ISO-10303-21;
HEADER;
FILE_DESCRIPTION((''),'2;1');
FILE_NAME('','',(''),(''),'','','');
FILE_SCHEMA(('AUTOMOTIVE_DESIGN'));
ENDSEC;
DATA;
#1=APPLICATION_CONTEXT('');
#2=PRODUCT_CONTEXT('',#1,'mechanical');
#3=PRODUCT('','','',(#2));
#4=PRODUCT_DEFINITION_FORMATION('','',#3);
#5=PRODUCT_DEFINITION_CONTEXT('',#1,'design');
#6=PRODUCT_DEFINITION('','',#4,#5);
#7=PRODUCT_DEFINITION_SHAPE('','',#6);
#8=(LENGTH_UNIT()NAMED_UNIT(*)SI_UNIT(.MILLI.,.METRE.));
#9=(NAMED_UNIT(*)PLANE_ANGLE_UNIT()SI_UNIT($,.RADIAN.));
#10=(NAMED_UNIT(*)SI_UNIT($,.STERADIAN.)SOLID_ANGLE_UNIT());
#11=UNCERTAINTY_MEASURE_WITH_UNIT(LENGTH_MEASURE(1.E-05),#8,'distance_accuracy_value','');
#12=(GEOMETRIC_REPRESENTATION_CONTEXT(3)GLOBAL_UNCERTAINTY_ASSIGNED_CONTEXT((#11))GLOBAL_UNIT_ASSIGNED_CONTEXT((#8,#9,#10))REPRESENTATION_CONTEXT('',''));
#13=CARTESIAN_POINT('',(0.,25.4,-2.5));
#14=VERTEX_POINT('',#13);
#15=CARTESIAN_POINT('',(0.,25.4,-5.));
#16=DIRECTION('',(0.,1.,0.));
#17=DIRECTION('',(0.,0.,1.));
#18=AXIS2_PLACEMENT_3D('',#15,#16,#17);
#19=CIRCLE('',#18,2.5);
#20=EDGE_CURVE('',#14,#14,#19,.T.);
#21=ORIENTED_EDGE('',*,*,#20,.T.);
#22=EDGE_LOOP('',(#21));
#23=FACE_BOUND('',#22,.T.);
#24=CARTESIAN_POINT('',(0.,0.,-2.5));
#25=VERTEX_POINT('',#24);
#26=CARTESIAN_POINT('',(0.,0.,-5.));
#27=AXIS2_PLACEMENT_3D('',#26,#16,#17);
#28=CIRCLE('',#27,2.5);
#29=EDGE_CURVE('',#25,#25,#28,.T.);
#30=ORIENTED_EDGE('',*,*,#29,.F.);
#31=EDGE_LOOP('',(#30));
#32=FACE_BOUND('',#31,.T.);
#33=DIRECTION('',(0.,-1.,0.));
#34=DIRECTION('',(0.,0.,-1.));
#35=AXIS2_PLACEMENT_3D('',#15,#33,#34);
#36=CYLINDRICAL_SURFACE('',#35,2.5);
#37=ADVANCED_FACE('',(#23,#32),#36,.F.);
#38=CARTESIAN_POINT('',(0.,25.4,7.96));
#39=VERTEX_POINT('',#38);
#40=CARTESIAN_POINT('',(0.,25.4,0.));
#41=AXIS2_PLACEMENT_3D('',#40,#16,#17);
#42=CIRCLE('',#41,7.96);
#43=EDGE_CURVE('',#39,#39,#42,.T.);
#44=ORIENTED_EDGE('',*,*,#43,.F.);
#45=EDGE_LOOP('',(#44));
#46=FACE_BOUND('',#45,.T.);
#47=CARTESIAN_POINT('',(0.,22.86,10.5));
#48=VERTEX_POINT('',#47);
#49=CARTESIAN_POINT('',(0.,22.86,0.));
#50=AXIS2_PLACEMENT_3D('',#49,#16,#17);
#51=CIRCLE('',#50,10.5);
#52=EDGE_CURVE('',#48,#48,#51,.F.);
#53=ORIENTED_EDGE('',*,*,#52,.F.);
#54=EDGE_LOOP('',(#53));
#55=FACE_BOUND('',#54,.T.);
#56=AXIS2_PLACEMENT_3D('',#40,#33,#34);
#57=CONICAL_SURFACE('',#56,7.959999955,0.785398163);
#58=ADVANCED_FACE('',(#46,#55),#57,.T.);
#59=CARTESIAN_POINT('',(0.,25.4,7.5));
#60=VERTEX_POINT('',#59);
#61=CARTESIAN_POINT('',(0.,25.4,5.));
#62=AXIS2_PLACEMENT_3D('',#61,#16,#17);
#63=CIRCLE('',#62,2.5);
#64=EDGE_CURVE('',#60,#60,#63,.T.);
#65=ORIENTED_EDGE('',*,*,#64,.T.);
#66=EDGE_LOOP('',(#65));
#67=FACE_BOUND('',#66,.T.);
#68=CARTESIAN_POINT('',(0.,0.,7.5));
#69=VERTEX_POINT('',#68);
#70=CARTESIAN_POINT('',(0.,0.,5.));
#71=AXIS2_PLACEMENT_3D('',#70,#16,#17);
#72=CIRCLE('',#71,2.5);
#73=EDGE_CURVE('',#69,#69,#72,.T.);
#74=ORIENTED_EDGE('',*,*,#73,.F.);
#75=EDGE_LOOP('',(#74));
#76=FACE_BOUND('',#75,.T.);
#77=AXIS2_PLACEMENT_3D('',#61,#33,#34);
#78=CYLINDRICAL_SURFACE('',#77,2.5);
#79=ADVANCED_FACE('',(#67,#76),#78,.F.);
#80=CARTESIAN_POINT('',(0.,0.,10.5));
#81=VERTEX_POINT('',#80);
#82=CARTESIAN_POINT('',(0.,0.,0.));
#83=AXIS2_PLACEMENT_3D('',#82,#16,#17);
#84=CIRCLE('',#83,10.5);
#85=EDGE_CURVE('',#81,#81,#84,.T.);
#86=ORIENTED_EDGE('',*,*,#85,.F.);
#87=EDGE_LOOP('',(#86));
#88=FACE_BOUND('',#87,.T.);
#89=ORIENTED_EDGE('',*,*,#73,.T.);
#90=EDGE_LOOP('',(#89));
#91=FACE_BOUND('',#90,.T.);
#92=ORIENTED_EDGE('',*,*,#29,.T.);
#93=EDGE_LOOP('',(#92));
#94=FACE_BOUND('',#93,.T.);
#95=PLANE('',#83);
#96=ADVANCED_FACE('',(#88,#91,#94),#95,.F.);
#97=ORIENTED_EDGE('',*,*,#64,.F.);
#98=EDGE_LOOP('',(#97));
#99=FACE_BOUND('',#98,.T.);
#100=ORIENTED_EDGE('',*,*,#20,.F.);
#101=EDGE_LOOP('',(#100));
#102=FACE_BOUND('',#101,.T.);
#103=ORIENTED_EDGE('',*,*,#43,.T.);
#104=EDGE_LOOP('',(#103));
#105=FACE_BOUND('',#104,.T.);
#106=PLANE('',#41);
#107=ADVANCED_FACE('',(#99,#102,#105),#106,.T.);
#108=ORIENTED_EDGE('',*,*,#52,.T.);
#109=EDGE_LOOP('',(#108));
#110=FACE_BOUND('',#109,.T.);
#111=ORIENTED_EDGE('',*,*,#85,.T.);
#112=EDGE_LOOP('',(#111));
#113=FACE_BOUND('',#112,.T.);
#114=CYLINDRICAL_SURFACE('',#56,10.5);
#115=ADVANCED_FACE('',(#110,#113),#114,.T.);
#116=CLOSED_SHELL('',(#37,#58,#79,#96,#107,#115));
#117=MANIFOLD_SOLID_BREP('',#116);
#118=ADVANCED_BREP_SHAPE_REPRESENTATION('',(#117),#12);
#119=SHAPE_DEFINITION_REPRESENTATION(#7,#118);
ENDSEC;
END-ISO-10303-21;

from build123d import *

# Parameters (mm, degrees)
SKETCH1_R           = 10.499999955
SKETCH1_R_2         = 2.5
BOSS_EXTRUDE1_DEPTH = 25.4
CHAMFER1_SIZE       = 2.54


with BuildPart() as part:
    # Sketch1 → Boss-Extrude1 (new body)
    with BuildSketch(Plane(origin=(0, 0, 0), x_dir=(1, 0, 0), z_dir=(0, 1, 0))):
        with Locations(Location((0, 0, 0), (0, 0, 270))):
            Circle(SKETCH1_R)
        with Locations(Location((0, 5, 0), (0, 0, 270))):
            Circle(SKETCH1_R_2, mode=Mode.SUBTRACT)
        with Locations(Location((0, -5, 0), (0, 0, 270))):
            Circle(SKETCH1_R_2, mode=Mode.SUBTRACT)
    extrude(amount=BOSS_EXTRUDE1_DEPTH)

    # Chamfer1
    chamfer1_edges = [part.edges().sort_by_distance(p)[0] for p in [
        (0, 25.4, -10.499999955),
    ]]
    chamfer(chamfer1_edges, length=CHAMFER1_SIZE)


solid = part.part
